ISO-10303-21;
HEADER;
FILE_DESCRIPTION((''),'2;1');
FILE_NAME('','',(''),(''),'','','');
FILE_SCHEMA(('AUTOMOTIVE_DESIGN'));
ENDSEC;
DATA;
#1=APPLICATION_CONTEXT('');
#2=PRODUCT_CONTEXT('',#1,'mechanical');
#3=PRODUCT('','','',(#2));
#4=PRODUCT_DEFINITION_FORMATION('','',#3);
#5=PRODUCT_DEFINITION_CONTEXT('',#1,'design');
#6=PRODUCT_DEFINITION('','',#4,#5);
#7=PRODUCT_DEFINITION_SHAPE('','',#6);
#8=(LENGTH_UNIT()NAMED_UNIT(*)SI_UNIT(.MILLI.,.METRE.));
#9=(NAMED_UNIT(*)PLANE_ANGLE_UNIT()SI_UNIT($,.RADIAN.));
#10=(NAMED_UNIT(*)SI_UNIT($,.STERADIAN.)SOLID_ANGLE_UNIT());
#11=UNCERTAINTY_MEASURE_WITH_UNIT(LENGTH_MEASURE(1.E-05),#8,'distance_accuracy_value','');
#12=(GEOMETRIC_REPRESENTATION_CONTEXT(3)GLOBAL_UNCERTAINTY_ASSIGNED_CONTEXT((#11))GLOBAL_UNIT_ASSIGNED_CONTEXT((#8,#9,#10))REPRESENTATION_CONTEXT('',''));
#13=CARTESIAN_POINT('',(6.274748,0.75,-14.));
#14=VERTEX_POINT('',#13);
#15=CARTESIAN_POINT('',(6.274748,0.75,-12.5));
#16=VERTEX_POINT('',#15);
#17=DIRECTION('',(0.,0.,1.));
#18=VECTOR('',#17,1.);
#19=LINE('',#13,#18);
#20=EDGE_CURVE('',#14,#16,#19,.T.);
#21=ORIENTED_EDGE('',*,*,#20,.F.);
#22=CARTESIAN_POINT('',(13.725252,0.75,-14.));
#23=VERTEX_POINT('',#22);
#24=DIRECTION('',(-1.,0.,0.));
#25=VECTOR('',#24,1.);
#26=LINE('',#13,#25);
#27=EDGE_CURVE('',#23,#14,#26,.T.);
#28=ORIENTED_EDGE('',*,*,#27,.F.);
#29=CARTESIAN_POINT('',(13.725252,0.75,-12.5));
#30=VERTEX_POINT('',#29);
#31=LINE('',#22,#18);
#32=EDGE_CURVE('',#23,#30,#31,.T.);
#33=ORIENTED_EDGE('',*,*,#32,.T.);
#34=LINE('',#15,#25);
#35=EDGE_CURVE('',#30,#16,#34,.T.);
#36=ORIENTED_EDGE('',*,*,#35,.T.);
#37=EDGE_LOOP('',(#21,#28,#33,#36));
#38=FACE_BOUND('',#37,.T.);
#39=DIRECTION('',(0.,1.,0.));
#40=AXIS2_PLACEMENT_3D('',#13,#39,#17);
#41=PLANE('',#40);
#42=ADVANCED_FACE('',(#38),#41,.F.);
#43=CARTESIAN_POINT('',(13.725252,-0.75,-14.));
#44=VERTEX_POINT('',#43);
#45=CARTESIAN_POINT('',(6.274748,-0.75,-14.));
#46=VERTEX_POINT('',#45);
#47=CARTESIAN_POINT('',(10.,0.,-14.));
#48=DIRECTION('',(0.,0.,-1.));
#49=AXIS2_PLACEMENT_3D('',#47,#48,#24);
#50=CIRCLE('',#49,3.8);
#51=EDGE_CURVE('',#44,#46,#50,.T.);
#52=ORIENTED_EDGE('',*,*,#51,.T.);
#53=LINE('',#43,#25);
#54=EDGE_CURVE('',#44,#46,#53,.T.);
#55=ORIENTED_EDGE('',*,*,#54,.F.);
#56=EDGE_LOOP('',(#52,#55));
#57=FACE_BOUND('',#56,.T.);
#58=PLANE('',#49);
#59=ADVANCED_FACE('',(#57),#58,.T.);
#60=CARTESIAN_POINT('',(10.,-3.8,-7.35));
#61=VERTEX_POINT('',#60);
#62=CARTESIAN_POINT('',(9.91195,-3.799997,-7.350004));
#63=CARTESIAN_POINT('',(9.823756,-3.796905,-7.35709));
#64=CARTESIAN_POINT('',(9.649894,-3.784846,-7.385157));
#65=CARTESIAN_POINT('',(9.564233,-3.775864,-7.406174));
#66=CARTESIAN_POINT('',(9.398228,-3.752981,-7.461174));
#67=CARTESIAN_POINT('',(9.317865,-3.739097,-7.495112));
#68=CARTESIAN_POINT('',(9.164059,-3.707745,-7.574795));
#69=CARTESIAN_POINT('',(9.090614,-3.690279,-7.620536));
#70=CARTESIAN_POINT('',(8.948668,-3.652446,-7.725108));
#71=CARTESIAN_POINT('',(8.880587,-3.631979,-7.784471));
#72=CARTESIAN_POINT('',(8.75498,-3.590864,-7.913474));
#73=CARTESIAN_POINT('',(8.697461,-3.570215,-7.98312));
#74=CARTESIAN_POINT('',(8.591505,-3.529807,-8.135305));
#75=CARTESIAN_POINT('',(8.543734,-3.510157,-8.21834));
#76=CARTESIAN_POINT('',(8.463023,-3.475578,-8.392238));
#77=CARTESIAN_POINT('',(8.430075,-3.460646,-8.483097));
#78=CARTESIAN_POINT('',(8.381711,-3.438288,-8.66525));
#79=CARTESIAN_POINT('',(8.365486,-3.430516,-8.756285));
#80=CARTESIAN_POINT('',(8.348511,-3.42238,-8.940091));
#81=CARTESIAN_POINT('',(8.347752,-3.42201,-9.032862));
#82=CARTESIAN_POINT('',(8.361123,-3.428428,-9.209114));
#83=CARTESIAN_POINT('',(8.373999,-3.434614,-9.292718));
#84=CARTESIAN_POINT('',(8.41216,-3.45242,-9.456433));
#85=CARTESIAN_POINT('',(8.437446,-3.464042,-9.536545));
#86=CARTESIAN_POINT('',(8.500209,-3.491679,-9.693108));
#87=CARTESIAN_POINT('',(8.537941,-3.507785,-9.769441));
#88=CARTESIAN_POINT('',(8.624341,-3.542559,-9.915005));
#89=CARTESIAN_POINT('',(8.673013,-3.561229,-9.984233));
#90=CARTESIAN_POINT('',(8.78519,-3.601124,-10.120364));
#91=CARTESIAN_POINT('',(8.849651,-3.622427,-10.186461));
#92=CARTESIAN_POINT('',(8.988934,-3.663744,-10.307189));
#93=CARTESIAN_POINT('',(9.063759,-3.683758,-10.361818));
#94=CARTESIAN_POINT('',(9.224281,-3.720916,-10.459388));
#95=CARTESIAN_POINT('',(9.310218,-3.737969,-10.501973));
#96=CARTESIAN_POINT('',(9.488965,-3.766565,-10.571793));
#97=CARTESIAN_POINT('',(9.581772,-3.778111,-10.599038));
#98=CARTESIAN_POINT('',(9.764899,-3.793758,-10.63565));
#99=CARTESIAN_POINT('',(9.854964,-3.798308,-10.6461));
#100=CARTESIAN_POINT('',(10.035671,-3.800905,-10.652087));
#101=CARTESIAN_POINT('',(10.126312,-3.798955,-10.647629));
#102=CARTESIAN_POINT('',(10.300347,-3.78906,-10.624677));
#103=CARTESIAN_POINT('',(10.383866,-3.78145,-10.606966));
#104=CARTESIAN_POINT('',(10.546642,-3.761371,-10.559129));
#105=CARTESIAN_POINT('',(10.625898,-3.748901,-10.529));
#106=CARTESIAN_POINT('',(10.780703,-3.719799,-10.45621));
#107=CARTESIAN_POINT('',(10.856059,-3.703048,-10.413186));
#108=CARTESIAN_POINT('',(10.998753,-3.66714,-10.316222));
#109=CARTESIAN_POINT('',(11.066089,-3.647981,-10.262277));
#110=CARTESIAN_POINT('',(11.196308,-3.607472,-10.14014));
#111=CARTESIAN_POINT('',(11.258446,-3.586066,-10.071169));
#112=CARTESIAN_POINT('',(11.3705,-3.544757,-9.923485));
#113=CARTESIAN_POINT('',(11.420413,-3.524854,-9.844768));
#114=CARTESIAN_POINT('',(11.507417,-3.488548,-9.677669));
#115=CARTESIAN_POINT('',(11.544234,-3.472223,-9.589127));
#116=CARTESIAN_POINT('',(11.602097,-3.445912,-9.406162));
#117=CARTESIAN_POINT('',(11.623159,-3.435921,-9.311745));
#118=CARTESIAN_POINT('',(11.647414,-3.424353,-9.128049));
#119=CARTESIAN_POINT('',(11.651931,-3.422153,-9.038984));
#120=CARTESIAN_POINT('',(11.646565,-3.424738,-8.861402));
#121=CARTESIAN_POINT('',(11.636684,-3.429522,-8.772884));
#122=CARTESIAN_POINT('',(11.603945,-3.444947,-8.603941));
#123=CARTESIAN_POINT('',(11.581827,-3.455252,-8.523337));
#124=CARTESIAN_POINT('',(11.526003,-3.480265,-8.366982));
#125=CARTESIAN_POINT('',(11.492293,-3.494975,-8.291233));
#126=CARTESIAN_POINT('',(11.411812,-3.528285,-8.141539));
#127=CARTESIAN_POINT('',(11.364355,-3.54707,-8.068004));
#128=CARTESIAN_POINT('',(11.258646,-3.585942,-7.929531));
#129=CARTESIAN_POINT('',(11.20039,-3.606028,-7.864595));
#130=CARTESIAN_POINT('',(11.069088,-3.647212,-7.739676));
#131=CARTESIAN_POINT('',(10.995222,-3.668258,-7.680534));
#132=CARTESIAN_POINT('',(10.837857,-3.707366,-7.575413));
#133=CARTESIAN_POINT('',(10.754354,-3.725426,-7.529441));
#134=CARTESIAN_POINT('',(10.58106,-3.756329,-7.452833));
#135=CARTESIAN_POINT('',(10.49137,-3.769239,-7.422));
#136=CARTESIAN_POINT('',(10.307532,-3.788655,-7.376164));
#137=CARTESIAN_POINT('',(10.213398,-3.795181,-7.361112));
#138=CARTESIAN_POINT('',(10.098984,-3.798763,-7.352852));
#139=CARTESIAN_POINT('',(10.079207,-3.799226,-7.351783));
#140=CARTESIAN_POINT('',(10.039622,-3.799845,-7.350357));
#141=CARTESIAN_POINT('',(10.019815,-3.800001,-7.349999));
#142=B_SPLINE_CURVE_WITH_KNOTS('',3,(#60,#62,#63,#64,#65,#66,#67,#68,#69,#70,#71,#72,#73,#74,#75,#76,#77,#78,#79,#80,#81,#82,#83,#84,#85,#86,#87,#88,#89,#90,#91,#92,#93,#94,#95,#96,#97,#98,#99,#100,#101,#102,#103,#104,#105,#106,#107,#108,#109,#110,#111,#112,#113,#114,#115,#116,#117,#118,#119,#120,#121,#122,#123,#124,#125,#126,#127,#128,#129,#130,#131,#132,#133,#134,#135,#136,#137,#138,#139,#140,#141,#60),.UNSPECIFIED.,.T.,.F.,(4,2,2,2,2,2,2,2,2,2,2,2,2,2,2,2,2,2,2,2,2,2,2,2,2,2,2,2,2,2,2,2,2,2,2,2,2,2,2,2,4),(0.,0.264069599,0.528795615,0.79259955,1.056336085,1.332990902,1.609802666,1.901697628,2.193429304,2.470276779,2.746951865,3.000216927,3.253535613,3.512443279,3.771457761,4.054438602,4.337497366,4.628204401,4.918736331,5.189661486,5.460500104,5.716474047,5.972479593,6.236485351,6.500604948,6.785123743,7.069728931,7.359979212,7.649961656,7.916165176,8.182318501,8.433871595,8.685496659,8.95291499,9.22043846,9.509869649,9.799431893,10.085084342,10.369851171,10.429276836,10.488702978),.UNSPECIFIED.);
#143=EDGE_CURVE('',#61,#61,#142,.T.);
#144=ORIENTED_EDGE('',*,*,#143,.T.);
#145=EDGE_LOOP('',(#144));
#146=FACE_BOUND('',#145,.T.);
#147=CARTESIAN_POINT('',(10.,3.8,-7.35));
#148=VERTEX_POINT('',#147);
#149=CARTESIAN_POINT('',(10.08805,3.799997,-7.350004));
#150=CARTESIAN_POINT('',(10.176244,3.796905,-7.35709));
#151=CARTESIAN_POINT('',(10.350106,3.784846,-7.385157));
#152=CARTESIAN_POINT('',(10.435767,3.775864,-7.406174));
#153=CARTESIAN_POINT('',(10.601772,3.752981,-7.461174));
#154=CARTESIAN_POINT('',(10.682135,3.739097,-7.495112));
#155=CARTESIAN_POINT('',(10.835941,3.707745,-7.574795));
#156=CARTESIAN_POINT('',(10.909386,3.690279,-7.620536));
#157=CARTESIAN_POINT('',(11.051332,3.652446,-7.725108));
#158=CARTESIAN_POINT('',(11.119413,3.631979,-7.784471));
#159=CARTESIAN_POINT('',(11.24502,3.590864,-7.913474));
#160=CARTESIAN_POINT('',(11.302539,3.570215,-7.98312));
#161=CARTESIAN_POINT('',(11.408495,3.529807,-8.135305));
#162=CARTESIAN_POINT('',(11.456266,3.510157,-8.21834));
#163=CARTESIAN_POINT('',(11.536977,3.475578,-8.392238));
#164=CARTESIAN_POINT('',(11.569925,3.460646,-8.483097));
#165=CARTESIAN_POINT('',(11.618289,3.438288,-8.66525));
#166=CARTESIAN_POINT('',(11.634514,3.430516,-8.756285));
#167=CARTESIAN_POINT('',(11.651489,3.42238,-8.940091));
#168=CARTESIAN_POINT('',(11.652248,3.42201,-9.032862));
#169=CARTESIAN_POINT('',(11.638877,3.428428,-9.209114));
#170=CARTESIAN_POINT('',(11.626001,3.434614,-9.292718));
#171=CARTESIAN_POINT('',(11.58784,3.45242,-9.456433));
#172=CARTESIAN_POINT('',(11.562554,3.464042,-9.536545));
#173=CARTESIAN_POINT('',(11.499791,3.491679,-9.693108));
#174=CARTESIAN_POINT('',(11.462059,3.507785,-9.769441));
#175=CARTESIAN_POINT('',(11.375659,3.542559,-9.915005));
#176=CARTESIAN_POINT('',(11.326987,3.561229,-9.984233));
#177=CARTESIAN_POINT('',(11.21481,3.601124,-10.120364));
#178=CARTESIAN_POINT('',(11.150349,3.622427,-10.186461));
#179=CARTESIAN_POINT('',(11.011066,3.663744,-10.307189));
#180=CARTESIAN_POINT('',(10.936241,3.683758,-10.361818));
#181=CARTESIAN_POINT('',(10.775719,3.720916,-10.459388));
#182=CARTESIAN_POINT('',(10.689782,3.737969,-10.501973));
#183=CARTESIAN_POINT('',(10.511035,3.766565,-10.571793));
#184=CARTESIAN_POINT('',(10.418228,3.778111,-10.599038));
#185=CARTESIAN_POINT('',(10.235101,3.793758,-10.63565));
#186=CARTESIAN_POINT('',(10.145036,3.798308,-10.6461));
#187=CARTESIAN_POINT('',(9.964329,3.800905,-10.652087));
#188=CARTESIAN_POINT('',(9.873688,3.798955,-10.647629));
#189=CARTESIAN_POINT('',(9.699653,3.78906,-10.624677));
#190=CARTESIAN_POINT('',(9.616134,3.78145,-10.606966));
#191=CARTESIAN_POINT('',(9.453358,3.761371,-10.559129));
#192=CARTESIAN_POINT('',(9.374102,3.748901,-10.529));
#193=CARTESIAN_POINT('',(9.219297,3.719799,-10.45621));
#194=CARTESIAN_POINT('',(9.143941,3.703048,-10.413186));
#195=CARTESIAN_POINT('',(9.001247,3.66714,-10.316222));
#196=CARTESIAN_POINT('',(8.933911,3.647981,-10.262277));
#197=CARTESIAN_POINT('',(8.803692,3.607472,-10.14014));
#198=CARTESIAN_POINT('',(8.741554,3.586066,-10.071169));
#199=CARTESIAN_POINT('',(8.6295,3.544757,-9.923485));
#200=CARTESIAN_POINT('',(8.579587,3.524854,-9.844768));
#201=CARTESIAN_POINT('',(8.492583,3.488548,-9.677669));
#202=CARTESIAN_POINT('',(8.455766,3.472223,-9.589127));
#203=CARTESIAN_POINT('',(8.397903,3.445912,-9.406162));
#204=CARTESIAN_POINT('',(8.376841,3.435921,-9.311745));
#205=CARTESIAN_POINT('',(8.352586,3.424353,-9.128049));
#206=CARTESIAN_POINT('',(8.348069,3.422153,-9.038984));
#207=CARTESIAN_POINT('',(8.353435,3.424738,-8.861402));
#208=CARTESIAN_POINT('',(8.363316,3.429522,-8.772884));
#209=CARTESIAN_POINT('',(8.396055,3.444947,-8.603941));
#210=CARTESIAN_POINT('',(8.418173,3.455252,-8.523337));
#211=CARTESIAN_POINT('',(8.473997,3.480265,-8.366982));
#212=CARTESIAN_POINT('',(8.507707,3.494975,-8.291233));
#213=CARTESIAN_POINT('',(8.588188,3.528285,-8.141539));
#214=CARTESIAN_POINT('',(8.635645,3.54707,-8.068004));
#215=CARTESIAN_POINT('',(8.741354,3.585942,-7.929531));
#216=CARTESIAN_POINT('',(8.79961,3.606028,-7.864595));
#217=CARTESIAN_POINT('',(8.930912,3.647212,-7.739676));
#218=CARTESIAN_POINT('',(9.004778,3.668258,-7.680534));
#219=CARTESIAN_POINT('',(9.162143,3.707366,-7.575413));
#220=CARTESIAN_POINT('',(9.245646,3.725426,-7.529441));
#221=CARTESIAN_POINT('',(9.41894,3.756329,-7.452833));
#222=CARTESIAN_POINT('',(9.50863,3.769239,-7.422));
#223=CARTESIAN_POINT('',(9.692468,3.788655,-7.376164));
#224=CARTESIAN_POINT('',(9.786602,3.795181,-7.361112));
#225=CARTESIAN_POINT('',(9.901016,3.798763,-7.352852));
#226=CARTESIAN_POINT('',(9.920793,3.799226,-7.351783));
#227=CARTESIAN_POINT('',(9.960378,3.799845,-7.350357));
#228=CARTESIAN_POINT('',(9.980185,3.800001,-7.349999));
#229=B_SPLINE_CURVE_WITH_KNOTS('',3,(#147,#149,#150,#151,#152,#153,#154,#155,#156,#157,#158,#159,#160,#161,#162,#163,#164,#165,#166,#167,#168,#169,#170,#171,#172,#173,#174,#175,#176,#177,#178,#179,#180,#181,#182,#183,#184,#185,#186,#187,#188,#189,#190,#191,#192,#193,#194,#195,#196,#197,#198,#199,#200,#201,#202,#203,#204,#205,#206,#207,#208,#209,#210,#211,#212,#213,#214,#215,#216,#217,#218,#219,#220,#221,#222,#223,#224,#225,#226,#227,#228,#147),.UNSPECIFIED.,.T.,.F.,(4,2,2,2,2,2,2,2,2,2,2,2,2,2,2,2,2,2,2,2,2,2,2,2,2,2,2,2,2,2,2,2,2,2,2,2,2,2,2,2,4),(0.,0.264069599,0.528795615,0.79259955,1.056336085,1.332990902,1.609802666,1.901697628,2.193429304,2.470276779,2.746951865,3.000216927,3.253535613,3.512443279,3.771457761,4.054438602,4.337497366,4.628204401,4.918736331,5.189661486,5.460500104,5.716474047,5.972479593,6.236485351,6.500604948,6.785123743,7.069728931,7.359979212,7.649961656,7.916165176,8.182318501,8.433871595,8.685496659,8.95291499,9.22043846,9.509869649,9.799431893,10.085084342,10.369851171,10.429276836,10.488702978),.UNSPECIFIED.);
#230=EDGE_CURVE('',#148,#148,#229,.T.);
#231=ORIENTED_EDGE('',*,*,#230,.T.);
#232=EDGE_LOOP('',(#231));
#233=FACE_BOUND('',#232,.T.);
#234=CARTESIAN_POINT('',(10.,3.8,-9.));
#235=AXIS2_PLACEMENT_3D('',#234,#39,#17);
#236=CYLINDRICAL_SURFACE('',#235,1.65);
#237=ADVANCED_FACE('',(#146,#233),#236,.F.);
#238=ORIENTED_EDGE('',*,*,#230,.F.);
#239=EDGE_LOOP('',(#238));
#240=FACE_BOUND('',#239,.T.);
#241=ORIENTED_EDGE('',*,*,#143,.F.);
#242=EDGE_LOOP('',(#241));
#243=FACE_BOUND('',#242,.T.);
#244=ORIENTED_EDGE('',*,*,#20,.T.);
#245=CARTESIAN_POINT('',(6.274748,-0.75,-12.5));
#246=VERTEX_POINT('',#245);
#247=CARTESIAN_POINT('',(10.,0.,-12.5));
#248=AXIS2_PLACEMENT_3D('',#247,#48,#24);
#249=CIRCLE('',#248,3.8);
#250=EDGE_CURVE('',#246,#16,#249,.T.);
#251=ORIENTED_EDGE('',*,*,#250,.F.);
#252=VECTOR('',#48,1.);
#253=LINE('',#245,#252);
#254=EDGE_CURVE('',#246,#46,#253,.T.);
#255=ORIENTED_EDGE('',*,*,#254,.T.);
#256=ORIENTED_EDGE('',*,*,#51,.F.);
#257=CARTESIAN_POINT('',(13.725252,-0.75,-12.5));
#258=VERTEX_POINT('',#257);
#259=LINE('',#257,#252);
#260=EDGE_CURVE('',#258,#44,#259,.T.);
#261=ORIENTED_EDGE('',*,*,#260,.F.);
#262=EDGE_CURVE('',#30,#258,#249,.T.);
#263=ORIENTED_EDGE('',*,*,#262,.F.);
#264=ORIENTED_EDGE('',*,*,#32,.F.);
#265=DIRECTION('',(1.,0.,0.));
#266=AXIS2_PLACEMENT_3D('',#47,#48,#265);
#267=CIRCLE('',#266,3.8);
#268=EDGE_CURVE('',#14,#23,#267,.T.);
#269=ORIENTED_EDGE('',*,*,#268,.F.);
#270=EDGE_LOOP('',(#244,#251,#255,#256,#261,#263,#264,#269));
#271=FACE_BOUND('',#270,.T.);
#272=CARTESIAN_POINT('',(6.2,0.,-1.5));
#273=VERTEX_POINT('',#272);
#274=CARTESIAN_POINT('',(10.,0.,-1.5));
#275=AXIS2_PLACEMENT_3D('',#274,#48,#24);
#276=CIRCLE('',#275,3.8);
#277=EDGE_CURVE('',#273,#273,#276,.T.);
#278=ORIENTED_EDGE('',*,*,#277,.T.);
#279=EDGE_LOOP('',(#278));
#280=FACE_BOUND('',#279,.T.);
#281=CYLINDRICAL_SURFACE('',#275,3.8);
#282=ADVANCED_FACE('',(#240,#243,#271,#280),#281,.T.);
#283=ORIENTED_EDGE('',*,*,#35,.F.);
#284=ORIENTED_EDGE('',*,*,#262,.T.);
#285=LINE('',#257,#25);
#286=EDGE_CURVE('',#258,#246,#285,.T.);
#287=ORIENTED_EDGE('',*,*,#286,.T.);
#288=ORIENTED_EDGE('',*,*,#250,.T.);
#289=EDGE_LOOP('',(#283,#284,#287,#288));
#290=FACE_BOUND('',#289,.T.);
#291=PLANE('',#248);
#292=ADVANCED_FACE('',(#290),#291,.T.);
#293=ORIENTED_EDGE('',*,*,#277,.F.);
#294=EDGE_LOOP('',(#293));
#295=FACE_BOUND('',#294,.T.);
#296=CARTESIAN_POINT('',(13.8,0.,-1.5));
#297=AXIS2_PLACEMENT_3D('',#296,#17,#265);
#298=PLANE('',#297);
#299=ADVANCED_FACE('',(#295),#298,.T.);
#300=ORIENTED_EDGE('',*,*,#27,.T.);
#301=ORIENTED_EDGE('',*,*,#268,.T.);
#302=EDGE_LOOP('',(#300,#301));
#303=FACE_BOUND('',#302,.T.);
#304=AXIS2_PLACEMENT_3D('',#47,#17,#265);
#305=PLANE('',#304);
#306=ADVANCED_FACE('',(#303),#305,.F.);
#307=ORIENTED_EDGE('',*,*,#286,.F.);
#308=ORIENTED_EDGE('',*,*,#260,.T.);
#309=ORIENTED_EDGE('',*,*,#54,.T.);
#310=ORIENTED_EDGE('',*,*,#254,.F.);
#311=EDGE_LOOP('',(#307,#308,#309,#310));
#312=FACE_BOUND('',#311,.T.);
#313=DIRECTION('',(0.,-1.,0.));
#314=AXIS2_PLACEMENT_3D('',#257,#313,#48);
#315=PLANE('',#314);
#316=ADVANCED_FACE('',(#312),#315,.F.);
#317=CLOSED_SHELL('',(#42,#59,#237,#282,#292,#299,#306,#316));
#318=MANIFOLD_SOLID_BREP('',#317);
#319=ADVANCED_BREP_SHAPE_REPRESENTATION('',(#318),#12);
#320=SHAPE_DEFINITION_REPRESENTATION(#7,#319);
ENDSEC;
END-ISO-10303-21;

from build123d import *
from build123d.topology import SkipClean

# Parameters (mm, degrees)
SCHIZZO1_W                   = 3.8
SCHIZZO1_H                   = 12.5
TAGLIO_ESTRUSIONE1_START     = -1.5
TAGLIO_ESTRUSIONE1_DEPTH     = 1.5
ESTRUSIONE_ESTRUSIONE1_DEPTH = 1.5
FORO_3_3_3_3_1_D             = 3.3


with BuildPart() as part:
    # Schizzo1 → Rivoluzione1 (revolve)
    with BuildSketch(Plane.XZ, mode=Mode.PRIVATE) as rivoluzione1_sk:
        with Locations((11.9, -7.75)):
            Rectangle(SCHIZZO1_W, SCHIZZO1_H)
    revolve(rivoluzione1_sk.sketch.rotate(Axis((10, 0, -1.5), (0, 0, -1)), 180), axis=Axis((10, 0, -1.5), (0, 0, -1)))

    # Schizzo2 → Taglio-Estrusione1 (cut)
    with BuildSketch(Plane(origin=(0, 0, -14), x_dir=(-1, 0, 0), z_dir=(0, 0, -1)).offset(TAGLIO_ESTRUSIONE1_START)):
        with BuildLine():
            Line((-13.725251669, -0.75), (-6.274748331, -0.75))
            ThreePointArc((-6.274748331, -0.75), (-10, 3.8), (-13.725251669, -0.75))
        make_face()
    extrude(amount=TAGLIO_ESTRUSIONE1_DEPTH, mode=Mode.SUBTRACT)

    # Schizzo3 → Estrusione-Estrusione1 (add)
    with SkipClean():  # the faces are left unmerged after this step: merging them gives an invalid solid
        with BuildSketch(Plane(origin=(0, 0, -12.5), x_dir=(-1, 0, 0), z_dir=(0, 0, -1))):
            with BuildLine():
                Line((-6.274748331, 0.75), (-13.725251669, 0.75))
                ThreePointArc((-13.725251669, 0.75), (-10, 3.8), (-6.274748331, 0.75))
            make_face()
        extrude(amount=ESTRUSIONE_ESTRUSIONE1_DEPTH)

    # Foro Ø3.3 (3.3)-1 (through all)
    with Locations(Plane(origin=(10, 3.8, -9), x_dir=(0, 0, 1), z_dir=(0, 1, 0))):
        with Locations((0, 0)):
            Hole(FORO_3_3_3_3_1_D / 2)


solid = part.part
